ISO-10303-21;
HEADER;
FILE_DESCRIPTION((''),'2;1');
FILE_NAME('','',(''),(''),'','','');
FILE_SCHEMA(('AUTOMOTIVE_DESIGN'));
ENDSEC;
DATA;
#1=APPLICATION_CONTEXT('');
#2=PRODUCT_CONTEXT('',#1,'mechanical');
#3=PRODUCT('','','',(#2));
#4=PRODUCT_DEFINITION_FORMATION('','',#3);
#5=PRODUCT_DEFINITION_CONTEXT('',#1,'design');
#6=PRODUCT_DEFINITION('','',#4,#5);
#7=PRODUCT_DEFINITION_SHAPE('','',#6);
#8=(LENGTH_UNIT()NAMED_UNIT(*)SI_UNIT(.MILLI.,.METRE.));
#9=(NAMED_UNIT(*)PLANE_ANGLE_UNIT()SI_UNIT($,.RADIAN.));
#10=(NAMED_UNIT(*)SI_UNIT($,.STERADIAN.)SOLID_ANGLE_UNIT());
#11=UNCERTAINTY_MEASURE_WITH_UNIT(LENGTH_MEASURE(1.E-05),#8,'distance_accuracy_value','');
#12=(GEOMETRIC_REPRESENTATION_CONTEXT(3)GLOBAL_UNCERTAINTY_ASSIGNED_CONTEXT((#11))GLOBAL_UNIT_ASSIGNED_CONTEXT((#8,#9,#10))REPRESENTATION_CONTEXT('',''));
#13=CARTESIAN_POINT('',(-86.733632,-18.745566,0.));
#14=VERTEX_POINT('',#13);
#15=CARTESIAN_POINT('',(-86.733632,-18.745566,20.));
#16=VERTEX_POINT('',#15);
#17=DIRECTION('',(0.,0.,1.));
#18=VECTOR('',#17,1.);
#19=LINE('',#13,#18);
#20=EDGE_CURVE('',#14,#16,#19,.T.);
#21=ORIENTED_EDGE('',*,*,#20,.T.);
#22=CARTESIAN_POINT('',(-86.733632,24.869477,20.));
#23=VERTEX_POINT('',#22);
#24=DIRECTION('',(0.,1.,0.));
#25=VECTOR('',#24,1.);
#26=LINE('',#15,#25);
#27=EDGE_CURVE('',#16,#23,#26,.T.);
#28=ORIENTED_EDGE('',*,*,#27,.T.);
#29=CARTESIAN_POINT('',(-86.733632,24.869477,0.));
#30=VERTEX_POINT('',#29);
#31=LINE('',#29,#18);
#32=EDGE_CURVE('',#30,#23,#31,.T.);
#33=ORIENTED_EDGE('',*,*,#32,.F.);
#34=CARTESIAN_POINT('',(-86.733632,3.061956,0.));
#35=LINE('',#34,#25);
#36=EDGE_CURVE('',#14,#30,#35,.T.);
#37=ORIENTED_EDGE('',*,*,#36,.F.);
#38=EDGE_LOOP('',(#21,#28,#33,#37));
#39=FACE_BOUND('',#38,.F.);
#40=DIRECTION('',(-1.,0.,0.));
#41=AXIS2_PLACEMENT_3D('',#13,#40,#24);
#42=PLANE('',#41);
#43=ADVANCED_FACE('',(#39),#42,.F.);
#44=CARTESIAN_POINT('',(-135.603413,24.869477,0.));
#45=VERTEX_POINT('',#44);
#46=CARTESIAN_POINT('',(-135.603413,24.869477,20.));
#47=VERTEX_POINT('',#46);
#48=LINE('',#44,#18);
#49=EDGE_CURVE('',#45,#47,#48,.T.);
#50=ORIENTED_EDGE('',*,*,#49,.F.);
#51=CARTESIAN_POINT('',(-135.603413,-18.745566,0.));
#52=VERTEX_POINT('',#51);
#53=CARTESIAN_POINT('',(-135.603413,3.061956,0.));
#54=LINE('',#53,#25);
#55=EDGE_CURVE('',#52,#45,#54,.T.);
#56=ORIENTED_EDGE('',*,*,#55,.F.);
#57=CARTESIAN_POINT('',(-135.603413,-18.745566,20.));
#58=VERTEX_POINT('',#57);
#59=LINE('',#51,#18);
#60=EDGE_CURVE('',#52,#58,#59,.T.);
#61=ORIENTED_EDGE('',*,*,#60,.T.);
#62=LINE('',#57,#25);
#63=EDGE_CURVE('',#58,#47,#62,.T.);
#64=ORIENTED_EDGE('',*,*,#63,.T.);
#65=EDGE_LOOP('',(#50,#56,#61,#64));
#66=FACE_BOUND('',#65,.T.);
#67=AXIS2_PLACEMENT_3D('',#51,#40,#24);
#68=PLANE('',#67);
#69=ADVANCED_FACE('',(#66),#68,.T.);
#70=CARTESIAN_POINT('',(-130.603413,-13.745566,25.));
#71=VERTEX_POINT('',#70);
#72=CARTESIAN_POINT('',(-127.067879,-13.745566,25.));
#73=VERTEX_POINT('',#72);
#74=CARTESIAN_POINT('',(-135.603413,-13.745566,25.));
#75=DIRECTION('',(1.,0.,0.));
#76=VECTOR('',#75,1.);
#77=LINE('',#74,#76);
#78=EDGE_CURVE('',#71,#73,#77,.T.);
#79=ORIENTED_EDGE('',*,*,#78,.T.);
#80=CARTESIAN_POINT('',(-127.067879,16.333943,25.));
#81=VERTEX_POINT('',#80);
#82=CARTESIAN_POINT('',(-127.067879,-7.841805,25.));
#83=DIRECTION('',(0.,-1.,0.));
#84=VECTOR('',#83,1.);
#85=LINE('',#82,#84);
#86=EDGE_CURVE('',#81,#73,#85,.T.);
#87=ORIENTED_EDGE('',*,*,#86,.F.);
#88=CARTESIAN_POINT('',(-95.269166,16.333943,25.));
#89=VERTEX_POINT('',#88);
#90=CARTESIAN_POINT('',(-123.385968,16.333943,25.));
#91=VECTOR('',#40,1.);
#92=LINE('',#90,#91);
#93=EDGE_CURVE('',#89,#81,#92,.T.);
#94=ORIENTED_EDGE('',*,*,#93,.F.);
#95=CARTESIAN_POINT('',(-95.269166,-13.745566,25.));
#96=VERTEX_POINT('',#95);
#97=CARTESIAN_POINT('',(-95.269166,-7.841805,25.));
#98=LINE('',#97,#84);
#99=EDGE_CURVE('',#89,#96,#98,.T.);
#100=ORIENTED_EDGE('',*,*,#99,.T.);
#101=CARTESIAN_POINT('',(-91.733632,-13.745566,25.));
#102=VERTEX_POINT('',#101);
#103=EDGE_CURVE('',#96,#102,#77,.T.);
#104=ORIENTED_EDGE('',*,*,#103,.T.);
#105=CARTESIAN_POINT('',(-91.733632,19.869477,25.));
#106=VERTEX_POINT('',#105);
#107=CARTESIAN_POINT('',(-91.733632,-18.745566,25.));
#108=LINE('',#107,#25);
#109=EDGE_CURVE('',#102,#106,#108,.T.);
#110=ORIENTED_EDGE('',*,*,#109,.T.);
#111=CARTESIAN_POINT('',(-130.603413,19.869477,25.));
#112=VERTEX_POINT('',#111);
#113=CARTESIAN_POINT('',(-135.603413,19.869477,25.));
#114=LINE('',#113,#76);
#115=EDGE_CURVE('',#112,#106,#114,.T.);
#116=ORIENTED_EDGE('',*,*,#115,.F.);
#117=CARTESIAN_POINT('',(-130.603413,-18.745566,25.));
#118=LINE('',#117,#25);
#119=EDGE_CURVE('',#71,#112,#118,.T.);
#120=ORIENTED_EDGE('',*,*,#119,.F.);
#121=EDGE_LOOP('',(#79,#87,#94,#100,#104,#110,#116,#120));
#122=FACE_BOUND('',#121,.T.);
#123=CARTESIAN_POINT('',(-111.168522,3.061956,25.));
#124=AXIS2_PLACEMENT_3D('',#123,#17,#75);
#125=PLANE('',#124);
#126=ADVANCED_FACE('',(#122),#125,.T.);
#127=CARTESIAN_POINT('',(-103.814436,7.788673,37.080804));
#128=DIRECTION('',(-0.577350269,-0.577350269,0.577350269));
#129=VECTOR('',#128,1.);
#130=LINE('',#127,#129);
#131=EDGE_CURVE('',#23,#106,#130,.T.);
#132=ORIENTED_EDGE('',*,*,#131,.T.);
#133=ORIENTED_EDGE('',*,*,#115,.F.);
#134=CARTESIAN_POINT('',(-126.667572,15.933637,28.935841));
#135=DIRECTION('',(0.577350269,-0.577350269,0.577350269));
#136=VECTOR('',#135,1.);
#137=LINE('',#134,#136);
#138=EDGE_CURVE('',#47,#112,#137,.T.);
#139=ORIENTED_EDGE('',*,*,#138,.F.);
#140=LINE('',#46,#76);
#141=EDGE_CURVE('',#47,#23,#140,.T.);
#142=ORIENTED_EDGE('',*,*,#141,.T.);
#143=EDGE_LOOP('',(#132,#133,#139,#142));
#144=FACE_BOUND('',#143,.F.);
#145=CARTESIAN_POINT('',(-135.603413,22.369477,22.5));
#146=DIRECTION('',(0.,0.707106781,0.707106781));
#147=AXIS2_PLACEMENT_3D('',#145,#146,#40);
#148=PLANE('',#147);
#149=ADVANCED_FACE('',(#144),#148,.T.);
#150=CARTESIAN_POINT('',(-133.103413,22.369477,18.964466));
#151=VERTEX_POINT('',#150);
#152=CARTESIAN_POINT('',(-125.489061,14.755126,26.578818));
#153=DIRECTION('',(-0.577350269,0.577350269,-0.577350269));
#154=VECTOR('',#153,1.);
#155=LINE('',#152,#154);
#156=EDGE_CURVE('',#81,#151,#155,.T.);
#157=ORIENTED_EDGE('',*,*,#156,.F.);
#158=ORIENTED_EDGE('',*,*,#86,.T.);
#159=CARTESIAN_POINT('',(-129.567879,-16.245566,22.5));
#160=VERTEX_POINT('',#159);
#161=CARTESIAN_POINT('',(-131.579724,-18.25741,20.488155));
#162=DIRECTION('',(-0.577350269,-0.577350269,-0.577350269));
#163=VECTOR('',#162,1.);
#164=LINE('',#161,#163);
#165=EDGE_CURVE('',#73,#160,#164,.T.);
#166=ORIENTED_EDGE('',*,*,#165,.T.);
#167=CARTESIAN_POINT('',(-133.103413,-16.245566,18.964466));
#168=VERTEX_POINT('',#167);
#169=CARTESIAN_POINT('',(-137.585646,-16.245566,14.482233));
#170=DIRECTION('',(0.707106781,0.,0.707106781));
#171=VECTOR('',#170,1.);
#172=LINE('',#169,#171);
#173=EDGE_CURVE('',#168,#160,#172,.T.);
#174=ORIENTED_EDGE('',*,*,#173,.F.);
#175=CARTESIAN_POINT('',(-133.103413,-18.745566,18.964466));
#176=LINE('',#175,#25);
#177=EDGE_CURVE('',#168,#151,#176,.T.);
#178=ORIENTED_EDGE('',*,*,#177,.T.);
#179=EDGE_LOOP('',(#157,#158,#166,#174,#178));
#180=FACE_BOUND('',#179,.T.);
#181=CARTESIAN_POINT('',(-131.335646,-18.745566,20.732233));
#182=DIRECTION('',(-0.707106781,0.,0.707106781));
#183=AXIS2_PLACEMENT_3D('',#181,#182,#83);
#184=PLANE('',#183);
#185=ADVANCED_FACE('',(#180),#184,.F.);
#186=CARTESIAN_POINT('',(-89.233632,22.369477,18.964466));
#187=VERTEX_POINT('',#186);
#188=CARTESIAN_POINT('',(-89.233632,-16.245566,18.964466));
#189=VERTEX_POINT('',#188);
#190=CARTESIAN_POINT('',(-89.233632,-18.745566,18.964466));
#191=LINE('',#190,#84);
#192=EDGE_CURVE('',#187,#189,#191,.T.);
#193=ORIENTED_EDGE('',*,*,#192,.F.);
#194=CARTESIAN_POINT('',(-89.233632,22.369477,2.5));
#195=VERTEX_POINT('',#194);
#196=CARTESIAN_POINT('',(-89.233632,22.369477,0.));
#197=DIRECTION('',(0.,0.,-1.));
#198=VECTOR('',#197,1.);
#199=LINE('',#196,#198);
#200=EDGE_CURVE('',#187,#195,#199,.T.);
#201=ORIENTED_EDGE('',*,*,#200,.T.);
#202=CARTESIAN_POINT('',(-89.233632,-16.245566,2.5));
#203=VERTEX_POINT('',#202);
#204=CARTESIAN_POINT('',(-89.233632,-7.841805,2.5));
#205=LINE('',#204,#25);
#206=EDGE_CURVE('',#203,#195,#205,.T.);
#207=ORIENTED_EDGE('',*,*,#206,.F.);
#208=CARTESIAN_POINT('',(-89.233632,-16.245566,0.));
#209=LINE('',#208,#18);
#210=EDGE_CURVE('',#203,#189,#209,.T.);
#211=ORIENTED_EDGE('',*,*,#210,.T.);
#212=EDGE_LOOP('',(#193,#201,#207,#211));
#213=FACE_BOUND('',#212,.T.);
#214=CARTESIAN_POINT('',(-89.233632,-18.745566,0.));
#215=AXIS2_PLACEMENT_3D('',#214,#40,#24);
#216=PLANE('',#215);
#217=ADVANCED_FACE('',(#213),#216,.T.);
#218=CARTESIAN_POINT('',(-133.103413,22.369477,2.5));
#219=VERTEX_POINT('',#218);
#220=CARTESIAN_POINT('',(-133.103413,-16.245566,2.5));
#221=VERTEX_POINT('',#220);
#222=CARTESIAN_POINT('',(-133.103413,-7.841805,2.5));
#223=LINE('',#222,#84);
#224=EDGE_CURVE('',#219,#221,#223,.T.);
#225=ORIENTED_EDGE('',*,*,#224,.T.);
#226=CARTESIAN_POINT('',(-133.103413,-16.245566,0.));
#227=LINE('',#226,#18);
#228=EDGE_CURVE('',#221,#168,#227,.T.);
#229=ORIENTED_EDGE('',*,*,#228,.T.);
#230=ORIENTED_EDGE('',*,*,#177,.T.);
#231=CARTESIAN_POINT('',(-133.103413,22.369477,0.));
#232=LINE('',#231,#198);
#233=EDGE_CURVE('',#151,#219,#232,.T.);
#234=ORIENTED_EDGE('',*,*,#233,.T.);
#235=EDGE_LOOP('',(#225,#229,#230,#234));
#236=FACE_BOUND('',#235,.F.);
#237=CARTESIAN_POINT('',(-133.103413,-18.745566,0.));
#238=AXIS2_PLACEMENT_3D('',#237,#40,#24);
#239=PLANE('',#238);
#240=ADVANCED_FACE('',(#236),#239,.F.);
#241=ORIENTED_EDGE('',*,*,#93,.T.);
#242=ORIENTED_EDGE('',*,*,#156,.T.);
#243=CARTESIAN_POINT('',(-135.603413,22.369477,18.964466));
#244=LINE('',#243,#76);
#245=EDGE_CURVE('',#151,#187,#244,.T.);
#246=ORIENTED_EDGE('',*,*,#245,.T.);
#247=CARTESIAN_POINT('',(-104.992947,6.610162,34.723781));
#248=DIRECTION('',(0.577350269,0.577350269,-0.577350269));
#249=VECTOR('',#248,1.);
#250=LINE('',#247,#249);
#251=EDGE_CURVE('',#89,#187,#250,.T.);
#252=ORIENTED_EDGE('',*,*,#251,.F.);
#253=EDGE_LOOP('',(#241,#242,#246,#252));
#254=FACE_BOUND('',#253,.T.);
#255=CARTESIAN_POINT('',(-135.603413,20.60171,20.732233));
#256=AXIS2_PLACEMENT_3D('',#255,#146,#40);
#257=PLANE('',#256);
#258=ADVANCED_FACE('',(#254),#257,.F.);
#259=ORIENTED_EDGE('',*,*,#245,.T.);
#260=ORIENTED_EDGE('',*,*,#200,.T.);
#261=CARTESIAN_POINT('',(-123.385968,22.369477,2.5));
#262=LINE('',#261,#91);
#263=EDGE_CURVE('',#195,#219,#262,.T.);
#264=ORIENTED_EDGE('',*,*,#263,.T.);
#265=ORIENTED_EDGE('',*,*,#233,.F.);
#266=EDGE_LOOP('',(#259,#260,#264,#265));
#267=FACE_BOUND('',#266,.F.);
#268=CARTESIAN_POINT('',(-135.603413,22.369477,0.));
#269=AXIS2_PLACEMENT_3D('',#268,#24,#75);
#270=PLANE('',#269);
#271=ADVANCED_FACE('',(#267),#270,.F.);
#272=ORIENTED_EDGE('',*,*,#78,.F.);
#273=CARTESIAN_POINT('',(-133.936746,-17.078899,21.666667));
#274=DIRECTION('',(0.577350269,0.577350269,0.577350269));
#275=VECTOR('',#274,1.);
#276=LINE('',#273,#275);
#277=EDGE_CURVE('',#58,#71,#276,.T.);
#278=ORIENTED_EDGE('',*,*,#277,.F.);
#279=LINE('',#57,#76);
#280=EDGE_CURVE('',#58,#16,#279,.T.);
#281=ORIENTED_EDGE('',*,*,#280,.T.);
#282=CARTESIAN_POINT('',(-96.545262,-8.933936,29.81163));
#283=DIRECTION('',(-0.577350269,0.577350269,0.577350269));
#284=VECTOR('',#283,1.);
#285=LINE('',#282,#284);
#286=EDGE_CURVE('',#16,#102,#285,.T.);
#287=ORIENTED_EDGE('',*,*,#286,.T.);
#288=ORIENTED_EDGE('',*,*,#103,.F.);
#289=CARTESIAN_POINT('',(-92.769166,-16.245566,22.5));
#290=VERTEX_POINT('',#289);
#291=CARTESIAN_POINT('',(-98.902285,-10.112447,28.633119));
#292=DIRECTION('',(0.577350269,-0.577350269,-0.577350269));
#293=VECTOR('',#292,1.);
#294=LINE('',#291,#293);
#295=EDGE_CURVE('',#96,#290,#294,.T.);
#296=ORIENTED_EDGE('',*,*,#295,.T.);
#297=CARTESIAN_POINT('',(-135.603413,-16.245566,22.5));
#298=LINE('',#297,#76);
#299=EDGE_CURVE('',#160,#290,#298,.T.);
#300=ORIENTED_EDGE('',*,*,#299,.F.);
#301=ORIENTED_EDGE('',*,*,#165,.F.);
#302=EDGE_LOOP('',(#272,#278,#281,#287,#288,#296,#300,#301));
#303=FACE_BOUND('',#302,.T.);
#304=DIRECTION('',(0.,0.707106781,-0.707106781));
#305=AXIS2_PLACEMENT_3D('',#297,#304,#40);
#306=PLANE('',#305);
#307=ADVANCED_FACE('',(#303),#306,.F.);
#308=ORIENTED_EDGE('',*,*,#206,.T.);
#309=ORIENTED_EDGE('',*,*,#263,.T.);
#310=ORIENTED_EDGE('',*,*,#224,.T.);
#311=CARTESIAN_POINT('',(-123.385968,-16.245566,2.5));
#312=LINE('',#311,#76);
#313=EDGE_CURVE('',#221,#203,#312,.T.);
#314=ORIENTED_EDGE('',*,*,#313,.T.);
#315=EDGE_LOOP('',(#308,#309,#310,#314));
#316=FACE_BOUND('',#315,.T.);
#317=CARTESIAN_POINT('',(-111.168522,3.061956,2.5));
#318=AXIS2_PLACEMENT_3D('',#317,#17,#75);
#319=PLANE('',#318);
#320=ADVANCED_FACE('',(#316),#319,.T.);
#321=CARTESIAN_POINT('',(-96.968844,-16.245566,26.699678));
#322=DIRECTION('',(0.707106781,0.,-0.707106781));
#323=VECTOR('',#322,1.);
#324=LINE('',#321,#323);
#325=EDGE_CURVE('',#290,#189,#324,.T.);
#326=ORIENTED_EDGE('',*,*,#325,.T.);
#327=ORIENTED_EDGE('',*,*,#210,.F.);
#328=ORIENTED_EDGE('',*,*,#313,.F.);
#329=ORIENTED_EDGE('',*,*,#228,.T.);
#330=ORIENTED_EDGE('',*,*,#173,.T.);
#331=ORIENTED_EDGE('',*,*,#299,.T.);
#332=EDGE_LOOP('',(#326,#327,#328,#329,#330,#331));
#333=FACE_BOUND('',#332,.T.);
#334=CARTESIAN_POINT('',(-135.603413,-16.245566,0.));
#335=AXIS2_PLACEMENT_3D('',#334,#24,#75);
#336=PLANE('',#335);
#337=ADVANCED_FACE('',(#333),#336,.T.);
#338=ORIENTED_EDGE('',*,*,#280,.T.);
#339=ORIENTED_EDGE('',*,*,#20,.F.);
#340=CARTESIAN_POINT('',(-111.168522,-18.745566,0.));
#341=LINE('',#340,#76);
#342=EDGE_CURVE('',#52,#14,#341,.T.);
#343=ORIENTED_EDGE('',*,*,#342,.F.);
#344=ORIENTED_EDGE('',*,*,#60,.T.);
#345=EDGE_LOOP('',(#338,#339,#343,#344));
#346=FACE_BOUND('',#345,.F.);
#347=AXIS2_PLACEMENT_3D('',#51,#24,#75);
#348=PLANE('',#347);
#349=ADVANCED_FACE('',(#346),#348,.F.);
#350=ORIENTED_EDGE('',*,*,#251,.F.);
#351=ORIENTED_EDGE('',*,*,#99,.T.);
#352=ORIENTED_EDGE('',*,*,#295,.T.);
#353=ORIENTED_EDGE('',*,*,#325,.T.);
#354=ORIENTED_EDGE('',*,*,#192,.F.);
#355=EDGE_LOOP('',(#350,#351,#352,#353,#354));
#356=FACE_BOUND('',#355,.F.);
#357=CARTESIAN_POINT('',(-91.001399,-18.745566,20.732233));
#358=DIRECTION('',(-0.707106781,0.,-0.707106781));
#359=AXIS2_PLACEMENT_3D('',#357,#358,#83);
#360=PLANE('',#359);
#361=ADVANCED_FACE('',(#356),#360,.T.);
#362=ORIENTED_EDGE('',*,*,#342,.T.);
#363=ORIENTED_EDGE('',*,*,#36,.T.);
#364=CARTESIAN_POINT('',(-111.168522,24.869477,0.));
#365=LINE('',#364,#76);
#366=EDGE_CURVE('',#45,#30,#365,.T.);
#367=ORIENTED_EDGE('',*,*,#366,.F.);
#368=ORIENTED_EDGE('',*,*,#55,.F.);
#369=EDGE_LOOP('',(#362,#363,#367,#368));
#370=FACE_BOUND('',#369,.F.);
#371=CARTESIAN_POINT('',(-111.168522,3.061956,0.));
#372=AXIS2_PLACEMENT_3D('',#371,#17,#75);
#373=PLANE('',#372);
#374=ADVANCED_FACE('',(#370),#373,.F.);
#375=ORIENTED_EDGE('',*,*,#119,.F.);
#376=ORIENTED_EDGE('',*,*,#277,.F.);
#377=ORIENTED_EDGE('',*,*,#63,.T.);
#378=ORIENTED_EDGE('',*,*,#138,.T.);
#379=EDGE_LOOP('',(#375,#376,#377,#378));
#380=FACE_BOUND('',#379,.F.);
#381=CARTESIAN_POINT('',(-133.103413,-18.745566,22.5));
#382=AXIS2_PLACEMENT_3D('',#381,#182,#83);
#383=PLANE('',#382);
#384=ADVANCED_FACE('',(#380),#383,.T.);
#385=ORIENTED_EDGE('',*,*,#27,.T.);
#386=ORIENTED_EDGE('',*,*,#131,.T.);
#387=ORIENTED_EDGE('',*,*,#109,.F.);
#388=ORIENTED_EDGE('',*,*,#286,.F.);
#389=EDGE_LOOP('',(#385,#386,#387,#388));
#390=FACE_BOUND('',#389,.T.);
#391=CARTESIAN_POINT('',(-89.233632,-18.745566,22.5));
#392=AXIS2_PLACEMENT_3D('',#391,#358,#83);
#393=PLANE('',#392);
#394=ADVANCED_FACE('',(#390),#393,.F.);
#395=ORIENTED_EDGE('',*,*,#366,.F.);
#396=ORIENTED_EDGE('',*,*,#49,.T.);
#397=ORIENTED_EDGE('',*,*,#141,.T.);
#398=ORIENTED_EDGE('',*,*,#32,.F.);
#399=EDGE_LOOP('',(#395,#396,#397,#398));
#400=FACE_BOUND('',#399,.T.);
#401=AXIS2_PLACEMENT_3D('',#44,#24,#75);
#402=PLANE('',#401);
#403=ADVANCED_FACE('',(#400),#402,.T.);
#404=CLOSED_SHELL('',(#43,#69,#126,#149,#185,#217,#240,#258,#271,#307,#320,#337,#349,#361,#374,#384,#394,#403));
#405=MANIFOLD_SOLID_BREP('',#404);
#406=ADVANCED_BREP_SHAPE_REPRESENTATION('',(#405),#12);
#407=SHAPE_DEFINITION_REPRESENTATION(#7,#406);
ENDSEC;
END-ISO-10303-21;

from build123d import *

# Parameters (mm, degrees)
F0_W     = 48.8697811961
F0_H     = 43.6150431633
F1_DEPTH = 25
F2_SIZE  = 5
F3_T     = -2.5


with BuildPart() as f1:
    # F0 (on Top) → F1 (new body)
    with BuildSketch(Plane.XY):
        with Locations((-111.1685223877, 3.0619557947)):
            Rectangle(F0_W, F0_H)
    extrude(amount=F1_DEPTH)

    # F2
    f2_edges = [f1.edges().sort_by_distance(p)[0] for p in [
        (-111.168522, 24.869477, 25),
        (-135.603413, 3.061956, 25),
        (-111.168522, -18.745566, 25),
        (-86.733632, 3.061956, 25),
    ]]
    chamfer(f2_edges, length=F2_SIZE)

    # F3
    f3_openings = [f1.faces().sort_by_distance(p)[0] for p in [
        (-111.168522, -16.340544, 22.405022),
        (-111.168522, 3.061956, 25),
    ]]
    offset(amount=F3_T, openings=f3_openings)


solid = f1.part
